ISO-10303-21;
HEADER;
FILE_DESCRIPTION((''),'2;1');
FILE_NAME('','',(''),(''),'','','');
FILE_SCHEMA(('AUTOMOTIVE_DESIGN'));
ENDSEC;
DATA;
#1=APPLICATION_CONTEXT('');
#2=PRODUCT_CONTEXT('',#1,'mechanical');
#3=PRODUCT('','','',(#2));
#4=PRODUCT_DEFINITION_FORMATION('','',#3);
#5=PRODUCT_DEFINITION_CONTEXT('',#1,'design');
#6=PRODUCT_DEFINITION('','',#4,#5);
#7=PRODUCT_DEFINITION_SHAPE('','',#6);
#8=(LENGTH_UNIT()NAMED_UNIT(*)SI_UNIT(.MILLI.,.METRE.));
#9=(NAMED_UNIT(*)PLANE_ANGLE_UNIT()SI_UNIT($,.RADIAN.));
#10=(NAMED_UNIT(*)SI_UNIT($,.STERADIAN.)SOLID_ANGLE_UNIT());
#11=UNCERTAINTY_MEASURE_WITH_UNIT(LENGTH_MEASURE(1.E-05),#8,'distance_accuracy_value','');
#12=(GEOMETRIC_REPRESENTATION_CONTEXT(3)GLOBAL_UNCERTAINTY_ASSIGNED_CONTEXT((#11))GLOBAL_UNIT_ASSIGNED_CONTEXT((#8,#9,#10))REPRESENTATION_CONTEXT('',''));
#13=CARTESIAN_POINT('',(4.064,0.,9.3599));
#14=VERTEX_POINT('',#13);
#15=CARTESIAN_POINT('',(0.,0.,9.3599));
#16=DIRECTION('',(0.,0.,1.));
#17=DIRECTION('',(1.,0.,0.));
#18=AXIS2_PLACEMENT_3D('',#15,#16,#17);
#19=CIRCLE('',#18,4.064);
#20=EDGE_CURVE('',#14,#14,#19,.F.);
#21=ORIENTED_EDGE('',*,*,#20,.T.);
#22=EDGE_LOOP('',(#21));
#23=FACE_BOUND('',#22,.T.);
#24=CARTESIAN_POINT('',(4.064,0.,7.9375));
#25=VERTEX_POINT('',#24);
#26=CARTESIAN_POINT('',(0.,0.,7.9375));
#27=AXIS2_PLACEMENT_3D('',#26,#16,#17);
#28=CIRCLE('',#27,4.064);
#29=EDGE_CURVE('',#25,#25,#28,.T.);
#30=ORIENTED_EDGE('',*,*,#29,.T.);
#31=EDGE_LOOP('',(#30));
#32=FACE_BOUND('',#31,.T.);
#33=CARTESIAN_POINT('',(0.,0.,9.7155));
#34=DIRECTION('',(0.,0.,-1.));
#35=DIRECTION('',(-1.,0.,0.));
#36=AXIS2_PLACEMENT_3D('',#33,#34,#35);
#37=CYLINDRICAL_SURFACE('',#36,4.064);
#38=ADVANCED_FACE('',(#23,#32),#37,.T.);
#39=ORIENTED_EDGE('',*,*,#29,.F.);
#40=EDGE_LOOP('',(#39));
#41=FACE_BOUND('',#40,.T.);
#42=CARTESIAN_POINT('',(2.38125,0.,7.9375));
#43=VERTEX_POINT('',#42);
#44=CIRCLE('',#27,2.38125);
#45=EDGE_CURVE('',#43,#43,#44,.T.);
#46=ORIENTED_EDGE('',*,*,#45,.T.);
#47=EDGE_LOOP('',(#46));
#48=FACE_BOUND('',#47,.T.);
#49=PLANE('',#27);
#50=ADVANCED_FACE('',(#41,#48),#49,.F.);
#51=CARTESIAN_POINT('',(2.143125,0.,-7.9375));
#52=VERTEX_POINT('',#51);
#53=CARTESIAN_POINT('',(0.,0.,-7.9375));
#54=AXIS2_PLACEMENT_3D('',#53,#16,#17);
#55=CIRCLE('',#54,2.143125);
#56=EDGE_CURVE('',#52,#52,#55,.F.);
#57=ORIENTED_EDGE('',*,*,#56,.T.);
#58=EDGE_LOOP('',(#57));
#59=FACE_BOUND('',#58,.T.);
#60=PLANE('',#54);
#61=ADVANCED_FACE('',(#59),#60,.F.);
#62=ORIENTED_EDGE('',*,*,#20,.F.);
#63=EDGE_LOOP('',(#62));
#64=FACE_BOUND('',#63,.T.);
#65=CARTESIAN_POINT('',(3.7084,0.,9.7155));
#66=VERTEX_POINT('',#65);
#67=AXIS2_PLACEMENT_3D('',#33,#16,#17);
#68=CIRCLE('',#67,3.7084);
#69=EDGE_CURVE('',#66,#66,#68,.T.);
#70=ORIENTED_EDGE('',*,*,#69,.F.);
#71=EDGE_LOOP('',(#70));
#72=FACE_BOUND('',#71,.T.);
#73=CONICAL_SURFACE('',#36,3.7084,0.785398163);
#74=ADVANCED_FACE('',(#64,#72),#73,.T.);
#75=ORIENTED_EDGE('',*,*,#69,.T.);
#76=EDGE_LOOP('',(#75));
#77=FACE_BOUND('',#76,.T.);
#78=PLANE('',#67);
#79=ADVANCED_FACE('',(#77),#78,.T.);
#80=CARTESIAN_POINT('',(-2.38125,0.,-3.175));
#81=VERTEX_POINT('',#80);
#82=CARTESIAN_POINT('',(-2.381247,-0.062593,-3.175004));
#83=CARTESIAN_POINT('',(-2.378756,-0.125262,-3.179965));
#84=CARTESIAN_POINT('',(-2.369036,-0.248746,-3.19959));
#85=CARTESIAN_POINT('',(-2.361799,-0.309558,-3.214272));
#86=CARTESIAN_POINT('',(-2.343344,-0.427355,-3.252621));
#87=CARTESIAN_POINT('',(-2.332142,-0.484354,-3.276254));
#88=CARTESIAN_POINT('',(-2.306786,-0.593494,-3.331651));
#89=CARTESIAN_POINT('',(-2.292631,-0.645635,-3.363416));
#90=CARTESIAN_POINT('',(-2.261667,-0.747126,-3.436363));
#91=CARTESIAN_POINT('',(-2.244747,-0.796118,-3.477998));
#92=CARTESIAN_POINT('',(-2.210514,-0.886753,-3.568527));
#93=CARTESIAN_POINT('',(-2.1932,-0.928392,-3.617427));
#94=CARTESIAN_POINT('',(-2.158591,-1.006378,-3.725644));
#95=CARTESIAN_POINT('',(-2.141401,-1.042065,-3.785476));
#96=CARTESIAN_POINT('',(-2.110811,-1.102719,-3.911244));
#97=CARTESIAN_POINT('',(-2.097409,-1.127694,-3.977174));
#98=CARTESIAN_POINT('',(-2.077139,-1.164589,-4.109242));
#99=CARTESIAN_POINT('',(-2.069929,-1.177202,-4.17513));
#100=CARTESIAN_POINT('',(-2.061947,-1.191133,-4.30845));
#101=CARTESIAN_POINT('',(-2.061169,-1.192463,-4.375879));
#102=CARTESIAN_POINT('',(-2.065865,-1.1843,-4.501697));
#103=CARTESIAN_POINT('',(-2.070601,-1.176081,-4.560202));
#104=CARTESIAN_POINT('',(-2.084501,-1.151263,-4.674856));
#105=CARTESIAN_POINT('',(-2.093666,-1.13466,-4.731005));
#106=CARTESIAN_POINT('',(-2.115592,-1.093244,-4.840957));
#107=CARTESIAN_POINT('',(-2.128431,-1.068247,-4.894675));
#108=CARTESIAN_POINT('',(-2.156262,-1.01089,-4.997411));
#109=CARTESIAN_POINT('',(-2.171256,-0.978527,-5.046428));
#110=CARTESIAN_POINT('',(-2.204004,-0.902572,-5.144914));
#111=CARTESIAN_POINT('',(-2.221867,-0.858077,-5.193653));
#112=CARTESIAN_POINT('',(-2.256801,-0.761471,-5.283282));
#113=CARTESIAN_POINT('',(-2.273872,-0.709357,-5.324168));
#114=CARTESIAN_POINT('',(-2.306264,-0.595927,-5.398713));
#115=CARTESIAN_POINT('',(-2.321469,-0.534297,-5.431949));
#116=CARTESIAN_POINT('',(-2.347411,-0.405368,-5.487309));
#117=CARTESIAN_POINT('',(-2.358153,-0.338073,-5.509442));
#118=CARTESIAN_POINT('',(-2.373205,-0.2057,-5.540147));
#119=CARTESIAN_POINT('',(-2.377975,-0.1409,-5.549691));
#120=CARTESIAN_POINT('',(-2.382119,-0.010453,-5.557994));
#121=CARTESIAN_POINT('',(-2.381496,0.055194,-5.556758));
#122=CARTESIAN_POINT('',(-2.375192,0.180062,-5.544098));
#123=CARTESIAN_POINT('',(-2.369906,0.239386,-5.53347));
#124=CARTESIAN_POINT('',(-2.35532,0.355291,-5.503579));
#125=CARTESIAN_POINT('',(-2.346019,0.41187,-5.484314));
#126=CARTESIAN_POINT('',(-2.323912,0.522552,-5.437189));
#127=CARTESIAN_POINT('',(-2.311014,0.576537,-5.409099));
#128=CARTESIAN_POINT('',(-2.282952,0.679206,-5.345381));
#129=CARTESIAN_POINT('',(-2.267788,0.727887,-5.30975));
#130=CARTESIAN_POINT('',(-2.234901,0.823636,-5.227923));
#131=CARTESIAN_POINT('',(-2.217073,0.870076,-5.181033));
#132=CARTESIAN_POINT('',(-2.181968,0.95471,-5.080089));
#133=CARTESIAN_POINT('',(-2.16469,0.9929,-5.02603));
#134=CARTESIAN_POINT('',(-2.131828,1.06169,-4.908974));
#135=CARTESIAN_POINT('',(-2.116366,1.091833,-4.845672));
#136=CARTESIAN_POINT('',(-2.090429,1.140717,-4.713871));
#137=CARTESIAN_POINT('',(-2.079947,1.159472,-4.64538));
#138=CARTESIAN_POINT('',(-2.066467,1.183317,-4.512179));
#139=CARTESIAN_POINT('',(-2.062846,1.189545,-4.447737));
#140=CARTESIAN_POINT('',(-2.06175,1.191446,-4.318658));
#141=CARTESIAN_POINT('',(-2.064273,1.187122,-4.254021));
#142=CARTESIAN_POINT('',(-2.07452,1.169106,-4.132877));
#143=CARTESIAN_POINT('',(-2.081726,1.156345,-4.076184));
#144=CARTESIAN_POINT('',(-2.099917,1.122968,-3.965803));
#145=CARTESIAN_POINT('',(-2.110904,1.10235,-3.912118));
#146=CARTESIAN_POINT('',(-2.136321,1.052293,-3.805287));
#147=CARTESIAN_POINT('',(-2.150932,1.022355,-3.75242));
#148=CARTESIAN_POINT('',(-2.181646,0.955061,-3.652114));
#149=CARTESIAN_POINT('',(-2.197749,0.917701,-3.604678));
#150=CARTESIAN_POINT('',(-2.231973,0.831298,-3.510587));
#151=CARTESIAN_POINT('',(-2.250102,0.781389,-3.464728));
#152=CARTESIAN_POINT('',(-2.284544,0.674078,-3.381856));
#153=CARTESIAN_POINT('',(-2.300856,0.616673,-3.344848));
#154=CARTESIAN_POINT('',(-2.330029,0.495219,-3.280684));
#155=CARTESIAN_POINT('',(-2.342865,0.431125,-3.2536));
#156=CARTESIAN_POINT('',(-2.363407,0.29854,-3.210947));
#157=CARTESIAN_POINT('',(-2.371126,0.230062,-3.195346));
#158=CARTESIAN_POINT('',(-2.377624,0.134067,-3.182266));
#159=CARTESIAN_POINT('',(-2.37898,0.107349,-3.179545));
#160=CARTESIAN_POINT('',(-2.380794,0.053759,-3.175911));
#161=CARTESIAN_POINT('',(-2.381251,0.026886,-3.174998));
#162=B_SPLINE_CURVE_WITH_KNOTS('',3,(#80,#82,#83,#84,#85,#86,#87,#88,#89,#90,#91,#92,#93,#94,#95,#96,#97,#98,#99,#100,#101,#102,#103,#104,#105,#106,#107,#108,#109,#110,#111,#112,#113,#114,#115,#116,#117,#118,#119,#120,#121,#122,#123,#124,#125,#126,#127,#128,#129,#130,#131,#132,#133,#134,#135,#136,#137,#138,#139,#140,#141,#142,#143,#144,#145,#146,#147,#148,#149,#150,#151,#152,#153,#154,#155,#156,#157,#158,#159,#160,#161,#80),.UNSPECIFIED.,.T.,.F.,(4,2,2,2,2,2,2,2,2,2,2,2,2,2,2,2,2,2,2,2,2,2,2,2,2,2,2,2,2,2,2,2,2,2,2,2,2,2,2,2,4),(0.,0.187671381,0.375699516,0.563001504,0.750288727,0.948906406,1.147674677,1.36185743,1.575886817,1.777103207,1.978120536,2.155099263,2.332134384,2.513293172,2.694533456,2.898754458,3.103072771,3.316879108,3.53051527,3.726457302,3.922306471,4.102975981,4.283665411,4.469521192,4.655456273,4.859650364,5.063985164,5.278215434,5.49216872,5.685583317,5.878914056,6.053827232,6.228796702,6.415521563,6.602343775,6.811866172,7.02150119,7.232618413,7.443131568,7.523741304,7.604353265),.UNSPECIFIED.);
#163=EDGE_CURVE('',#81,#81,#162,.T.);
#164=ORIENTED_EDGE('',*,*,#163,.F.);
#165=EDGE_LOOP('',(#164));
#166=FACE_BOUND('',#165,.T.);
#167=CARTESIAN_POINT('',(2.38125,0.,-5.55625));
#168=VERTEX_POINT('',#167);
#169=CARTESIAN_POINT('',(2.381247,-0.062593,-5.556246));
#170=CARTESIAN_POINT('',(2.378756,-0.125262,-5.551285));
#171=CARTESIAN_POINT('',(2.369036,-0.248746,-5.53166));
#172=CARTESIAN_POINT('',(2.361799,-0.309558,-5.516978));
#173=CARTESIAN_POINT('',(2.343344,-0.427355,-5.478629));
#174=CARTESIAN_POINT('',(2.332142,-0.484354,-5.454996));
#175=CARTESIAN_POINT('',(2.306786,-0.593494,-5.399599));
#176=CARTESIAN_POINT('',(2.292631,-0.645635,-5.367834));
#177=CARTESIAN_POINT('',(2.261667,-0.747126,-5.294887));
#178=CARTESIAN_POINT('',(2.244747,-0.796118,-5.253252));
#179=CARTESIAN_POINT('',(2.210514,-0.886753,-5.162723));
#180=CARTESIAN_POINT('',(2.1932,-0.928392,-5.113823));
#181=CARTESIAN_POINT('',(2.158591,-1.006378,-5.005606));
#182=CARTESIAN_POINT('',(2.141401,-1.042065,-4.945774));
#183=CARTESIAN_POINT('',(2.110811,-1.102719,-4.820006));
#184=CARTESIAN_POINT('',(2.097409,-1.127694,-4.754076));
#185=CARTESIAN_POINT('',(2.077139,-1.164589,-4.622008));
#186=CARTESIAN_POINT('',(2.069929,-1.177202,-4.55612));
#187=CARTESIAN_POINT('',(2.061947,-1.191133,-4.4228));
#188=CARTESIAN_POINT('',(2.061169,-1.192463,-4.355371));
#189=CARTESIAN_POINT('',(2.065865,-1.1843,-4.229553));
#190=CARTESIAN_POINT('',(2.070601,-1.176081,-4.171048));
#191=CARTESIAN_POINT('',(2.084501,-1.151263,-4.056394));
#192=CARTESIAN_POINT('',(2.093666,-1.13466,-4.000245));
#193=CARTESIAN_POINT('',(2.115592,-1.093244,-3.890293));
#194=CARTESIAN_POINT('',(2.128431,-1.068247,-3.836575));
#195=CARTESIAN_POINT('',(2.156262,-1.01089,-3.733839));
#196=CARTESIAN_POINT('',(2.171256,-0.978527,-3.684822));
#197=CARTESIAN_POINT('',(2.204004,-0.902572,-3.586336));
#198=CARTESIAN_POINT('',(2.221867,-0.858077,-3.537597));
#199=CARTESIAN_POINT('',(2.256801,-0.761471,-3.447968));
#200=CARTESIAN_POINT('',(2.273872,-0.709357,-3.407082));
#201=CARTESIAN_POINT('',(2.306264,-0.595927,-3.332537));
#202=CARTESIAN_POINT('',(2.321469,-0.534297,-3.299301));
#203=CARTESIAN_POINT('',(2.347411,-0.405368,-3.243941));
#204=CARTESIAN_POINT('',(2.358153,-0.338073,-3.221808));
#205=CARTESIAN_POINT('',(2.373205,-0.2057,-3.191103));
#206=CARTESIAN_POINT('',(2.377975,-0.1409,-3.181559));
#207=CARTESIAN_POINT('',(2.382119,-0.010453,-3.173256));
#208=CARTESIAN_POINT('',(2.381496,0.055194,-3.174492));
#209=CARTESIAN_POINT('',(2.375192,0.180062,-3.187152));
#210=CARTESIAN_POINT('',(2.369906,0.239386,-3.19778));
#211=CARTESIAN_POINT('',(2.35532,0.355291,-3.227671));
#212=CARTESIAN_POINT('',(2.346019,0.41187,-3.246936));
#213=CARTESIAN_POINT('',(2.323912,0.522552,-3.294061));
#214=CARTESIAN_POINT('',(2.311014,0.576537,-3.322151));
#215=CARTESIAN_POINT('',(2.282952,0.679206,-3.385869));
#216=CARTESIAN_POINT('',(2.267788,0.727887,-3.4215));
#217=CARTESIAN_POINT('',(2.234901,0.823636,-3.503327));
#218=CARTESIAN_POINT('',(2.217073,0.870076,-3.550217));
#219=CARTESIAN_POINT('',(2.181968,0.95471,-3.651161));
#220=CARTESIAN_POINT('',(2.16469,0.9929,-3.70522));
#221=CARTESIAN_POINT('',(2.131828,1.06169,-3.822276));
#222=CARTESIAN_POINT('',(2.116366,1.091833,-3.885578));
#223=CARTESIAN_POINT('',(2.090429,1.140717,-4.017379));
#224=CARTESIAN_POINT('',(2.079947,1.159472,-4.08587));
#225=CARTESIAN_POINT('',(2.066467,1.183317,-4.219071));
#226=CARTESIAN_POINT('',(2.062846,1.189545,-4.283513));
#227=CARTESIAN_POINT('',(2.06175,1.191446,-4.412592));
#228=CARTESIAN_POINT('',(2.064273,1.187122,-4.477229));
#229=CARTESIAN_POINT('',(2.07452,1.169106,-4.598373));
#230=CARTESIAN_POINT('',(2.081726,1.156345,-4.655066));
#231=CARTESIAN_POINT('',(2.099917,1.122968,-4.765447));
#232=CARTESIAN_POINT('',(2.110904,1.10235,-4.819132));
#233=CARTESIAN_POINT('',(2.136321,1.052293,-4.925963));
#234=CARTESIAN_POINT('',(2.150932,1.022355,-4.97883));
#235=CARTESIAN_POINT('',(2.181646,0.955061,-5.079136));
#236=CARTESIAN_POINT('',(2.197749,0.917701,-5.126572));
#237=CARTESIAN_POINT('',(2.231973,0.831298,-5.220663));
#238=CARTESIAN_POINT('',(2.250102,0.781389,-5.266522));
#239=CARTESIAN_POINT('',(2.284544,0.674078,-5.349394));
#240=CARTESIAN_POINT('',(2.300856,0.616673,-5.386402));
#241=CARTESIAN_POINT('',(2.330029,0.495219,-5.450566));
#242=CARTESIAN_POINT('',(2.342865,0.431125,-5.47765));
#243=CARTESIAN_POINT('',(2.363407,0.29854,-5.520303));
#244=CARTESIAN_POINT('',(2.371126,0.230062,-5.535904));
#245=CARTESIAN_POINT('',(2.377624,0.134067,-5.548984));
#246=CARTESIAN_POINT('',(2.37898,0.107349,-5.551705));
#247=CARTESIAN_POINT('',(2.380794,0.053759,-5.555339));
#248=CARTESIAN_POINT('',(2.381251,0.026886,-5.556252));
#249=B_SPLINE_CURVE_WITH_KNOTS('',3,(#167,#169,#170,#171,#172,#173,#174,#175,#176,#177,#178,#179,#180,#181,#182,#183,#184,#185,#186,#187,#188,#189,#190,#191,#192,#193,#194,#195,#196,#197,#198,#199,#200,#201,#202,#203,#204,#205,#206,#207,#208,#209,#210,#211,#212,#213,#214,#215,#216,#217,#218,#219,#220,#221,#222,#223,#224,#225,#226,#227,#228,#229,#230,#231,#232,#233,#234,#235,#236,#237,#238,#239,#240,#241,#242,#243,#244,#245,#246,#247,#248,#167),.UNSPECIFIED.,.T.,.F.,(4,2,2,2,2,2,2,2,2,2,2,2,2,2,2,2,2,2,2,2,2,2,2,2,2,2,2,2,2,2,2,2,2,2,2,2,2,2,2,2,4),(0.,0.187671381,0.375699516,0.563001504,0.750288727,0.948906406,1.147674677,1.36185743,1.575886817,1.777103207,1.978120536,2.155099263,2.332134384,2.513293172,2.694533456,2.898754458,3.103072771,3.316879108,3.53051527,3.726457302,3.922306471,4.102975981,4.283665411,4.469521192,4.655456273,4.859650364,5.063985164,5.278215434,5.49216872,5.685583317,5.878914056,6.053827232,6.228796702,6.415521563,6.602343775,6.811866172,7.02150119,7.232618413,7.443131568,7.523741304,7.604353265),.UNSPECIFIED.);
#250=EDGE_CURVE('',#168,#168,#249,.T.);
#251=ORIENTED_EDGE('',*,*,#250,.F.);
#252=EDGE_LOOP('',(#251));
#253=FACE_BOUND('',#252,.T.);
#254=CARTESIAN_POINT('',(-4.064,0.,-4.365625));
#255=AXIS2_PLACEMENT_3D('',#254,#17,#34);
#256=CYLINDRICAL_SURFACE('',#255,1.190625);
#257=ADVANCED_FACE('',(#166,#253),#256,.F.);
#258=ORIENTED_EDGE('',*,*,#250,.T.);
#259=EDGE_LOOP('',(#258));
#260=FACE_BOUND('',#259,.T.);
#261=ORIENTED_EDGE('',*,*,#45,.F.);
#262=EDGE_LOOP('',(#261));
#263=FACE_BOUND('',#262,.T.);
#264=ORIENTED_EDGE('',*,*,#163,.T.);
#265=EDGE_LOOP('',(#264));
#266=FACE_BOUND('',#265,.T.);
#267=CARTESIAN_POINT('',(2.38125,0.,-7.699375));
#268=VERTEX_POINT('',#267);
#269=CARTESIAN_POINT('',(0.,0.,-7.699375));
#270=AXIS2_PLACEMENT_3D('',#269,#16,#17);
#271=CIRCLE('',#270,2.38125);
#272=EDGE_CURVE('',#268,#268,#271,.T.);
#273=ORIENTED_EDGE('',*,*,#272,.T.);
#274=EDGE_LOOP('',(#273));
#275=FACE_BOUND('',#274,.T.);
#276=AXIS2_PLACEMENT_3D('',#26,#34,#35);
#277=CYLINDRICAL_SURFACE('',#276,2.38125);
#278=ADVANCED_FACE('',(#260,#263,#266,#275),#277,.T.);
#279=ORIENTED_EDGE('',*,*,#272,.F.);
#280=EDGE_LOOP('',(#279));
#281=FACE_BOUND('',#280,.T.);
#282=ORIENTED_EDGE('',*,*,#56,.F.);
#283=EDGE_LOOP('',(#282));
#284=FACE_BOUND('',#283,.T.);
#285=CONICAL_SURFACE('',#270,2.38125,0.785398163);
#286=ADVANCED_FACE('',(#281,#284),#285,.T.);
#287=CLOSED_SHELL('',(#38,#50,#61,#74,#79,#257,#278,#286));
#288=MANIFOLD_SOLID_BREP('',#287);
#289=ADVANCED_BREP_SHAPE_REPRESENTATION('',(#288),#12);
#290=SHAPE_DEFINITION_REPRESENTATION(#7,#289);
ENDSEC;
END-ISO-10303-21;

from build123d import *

# Parameters (mm, degrees)
SKETCH1_R           = 2.38125
EXTRUDE1_DEPTH      = 7.9375
SKETCH2_R           = 4.064
EXTRUDE2_DEPTH      = 1.778
CHAMFER1_SIZE       = 0.3556
EXTRUDE3_DEPTH      = 12.288185516
EXTRUDE3_DEPTH_BACK = 12.288185516
SKETCH3_R           = 1.190625
CHAMFER2_SIZE       = 0.238125


with BuildPart() as part:
    # Sketch1 → Extrude1 (new, symmetric)
    with BuildSketch(Plane.XY):
        Circle(SKETCH1_R)
    extrude(amount=EXTRUDE1_DEPTH, both=True)

    # Sketch2 → Extrude2 (add)
    with BuildSketch(Plane.XY.offset(7.9375)):
        Circle(SKETCH2_R)
    extrude(amount=EXTRUDE2_DEPTH)

    # Chamfer1
    chamfer1_edges = [part.edges().sort_by_distance(p)[0] for p in [
        (-4.064, 0, 9.7155),
    ]]
    chamfer(chamfer1_edges, length=CHAMFER1_SIZE)

    # Sketch3 → Extrude3 (cut, two sides: drawn at the far end of the back side and taken through both)
    with BuildSketch(Plane(origin=(0, 0, 0), x_dir=(0, 0, -1), z_dir=(1, 0, 0)).offset(-EXTRUDE3_DEPTH_BACK)):
        with Locations(Location((4.365625, 0, 0), (0, 0, 179.999999999))):
            Circle(SKETCH3_R)
    extrude(amount=EXTRUDE3_DEPTH + EXTRUDE3_DEPTH_BACK, mode=Mode.SUBTRACT)

    # Chamfer2
    chamfer2_edges = [part.edges().sort_by_distance(p)[0] for p in [
        (-2.38125, 0, -7.9375),
    ]]
    chamfer(chamfer2_edges, length=CHAMFER2_SIZE)


solid = part.part
